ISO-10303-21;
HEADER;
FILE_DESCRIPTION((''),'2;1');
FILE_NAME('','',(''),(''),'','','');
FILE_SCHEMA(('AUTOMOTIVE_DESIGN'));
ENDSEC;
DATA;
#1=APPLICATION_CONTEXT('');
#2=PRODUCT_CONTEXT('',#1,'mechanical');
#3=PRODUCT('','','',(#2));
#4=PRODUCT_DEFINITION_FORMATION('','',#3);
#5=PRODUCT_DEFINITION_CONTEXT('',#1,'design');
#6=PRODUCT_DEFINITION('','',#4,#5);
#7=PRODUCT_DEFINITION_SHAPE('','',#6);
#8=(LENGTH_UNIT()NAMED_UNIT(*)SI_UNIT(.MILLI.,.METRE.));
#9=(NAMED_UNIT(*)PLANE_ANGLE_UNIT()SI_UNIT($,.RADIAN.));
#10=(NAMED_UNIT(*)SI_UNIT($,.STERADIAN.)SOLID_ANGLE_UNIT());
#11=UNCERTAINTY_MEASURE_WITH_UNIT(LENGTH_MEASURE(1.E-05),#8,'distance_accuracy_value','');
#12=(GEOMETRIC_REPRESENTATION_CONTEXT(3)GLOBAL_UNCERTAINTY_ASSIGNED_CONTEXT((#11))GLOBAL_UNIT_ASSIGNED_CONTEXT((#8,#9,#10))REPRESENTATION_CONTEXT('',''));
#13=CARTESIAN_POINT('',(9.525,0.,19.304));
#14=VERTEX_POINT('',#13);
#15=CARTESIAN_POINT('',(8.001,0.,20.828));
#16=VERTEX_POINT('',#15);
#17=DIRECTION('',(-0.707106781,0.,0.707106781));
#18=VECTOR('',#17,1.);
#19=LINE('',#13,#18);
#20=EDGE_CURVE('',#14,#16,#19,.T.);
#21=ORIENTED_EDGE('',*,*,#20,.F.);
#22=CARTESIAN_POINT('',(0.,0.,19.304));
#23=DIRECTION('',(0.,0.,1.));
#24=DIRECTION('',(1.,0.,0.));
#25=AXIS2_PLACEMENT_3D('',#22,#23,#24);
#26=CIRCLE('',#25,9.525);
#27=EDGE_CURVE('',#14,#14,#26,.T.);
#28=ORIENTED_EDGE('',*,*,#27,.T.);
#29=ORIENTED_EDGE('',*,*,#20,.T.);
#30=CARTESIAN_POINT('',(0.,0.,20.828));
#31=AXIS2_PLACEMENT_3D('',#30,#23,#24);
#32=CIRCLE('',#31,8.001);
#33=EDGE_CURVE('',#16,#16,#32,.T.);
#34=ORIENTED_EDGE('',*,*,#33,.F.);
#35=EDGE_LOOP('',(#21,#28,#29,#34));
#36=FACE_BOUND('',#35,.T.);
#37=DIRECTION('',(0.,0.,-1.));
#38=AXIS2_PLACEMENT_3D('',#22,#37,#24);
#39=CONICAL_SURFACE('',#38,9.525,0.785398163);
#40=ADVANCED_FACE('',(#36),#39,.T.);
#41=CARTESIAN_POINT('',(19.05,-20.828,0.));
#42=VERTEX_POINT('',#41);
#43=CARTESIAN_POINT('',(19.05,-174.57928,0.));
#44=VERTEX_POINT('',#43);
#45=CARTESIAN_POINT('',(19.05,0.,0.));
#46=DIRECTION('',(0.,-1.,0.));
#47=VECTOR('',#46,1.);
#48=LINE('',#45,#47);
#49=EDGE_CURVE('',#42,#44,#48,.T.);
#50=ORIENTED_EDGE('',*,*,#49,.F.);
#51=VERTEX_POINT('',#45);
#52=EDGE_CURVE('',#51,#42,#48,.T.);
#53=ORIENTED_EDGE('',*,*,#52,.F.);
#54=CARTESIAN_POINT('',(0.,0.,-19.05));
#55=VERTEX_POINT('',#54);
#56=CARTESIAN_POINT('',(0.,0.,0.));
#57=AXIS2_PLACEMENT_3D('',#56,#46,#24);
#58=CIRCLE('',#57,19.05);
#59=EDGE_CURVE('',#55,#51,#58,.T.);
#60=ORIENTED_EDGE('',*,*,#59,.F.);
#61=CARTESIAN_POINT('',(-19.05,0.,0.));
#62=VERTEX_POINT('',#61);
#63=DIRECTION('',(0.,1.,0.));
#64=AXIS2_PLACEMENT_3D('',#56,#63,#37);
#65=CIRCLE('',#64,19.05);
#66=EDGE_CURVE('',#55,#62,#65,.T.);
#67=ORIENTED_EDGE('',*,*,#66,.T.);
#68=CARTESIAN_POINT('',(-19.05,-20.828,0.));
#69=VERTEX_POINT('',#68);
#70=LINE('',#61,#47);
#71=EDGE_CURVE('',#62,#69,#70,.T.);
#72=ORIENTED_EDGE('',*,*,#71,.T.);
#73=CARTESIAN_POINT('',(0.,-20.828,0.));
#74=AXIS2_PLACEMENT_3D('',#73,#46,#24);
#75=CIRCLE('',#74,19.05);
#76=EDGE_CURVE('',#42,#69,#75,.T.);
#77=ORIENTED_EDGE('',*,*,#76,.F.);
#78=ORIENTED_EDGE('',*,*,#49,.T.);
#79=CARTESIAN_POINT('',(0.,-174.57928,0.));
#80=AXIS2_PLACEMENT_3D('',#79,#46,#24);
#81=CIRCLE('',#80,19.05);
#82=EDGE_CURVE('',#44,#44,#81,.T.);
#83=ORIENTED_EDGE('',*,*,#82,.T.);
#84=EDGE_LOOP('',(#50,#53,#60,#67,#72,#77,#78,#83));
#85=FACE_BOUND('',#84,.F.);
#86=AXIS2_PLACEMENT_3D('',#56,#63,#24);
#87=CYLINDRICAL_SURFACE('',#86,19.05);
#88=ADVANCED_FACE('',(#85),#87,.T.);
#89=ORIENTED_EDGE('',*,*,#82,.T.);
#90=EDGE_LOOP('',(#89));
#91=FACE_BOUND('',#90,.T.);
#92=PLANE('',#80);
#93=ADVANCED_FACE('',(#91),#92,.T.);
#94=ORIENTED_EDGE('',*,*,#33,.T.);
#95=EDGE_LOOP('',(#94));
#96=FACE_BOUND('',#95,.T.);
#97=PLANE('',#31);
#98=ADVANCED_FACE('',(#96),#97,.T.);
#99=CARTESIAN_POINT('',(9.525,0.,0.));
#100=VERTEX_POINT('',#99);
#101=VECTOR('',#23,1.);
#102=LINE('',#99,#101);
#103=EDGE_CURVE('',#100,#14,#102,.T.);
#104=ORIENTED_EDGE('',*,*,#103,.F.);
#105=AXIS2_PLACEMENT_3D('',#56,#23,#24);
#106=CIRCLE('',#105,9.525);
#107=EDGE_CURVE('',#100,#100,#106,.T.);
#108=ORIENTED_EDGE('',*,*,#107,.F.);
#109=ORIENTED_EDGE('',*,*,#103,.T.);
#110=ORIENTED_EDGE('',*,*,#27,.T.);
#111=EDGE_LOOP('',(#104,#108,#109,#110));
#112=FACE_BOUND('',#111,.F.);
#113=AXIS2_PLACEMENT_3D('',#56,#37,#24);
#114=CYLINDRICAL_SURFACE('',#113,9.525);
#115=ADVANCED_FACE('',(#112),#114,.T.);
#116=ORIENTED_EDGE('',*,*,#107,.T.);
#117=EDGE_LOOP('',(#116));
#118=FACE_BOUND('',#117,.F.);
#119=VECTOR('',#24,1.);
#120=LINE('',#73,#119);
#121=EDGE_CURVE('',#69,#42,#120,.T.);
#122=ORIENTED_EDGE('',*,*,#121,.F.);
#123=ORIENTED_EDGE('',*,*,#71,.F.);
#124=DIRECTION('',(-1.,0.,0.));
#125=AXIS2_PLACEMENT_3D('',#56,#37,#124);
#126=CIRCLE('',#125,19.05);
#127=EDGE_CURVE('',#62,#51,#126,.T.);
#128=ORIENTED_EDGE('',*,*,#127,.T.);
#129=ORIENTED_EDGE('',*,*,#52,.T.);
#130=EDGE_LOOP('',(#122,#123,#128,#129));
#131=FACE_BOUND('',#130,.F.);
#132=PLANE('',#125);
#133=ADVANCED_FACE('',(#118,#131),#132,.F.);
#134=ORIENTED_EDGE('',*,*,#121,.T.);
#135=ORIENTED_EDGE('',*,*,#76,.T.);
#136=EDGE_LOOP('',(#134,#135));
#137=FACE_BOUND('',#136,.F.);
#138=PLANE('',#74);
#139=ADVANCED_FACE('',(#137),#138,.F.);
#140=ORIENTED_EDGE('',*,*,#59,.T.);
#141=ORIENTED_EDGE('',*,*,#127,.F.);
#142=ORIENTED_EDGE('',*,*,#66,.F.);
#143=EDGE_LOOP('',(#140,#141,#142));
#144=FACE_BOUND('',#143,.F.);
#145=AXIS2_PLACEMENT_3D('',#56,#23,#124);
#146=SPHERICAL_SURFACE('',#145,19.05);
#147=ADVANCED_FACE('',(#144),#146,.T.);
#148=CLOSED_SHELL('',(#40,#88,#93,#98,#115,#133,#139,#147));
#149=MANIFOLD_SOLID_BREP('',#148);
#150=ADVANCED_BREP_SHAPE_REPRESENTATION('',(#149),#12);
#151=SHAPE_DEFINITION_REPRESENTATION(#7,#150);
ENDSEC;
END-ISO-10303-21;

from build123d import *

# Parameters (mm, degrees)
F0_R     = 19.05
F1_DEPTH = 174.57928
F4_DEPTH = 20.828
F5_R     = 9.525
F6_DEPTH = 20.828
F7_SIZE2 = 1.524
F7_SIZE  = 1.524


with BuildPart() as f1:
    # F0 (on Front) → F1 (new body)
    with BuildSketch(Plane.XZ):
        Circle(F0_R)
    extrude(amount=F1_DEPTH)

    # F2 (on face) → F3 (revolve)
    with BuildSketch(Plane(origin=(0, 0, 0), x_dir=(-1, 0, 0), z_dir=(0, 1, 0))):
        with BuildLine():
            Line((19.05, 0), (0, 0))
            Line((0, 0), (0, -19.05))
            ThreePointArc((0, -19.05), (13.4703841816, -13.4703841816), (19.05, 0))
        make_face()
    revolve(axis=Axis((0, 0, -2.0931214094), (0, 0, -1)))

    # F4 (cut): a face of the model
    f4_faces = [f1.faces().sort_by_distance(p)[0] for p in [
        (0, 0, 8.0850711091),
    ]]
    extrude(f4_faces, amount=-F4_DEPTH, mode=Mode.SUBTRACT)

    # F5 (on face) → F6 (join)
    with BuildSketch(Plane.XY):
        Circle(F5_R)
    extrude(amount=F6_DEPTH)

    # F7
    f7_edges = [f1.edges().sort_by_distance(p)[0] for p in [
        (-9.525, 0, 20.828),
    ]]
    chamfer(f7_edges, length=F7_SIZE, length2=F7_SIZE2)


solid = f1.part
